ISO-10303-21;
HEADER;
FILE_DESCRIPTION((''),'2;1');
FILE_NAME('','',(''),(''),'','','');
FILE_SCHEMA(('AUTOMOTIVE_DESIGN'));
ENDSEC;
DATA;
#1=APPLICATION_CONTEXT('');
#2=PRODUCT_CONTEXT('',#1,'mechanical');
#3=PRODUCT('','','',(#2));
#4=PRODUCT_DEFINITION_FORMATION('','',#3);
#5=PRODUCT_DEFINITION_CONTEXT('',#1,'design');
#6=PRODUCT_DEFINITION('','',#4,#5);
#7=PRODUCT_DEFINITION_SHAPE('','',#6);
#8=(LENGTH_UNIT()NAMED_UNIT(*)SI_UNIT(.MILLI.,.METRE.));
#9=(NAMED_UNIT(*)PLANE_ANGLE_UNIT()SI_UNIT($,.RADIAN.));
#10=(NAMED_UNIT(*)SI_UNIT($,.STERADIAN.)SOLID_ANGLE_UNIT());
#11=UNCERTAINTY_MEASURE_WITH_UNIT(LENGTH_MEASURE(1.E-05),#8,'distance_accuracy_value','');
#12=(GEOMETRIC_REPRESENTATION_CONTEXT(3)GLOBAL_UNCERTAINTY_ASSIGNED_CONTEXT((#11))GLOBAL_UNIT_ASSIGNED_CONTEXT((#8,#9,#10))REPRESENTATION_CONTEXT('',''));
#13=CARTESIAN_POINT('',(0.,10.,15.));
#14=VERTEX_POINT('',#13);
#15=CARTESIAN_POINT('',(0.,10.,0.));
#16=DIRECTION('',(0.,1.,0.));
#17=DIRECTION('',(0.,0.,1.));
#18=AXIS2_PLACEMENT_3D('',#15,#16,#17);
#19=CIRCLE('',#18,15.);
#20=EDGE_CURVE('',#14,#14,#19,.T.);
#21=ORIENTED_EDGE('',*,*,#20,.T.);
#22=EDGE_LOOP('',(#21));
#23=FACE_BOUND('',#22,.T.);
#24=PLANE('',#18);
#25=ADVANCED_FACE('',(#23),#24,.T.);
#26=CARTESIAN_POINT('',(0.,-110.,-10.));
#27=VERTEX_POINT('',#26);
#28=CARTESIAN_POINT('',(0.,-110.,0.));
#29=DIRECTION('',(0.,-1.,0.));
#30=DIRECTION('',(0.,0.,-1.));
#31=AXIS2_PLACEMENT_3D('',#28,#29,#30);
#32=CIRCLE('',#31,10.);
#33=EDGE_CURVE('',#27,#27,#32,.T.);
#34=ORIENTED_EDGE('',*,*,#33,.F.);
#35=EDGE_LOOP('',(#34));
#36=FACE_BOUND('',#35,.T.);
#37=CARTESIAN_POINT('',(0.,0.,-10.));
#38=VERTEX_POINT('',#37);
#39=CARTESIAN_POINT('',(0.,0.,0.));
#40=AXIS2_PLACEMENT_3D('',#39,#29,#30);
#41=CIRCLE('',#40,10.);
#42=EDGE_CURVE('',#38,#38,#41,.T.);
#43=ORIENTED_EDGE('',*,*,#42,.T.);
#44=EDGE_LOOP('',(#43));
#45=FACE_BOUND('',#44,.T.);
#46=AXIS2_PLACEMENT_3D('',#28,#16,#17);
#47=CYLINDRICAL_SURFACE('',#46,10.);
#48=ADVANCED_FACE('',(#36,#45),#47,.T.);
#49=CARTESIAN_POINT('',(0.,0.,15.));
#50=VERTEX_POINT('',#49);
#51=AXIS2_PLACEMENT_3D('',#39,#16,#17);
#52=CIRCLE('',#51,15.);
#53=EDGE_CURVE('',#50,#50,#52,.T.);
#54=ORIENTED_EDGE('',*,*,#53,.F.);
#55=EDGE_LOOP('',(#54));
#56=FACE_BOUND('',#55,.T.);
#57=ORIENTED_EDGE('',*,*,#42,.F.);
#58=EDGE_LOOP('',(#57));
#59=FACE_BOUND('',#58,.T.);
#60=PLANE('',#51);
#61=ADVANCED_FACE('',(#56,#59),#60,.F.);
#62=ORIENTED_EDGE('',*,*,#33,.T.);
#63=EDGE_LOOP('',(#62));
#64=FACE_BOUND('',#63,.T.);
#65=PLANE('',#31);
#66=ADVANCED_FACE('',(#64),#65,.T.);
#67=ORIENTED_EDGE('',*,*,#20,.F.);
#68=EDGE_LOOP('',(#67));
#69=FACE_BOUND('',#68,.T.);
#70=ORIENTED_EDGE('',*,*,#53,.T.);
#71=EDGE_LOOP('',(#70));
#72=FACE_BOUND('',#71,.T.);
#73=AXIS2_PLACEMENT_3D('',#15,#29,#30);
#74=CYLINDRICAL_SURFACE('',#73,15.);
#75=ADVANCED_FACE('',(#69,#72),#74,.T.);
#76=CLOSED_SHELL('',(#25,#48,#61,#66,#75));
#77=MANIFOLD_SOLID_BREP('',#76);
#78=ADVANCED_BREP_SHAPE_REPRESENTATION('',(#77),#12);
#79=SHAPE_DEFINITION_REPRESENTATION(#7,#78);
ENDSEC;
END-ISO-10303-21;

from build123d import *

# Parameters (mm, degrees)
SKETCH1_R           = 15
BOSS_EXTRUDE1_DEPTH = 10
SKETCH2_R           = 10
BOSS_EXTRUDE2_DEPTH = 110


with BuildPart() as part:
    # Sketch1 → Boss-Extrude1 (new body)
    with BuildSketch(Plane(origin=(0, 0, 0), x_dir=(1, 0, 0), z_dir=(0, 1, 0))):
        Circle(SKETCH1_R)
    extrude(amount=BOSS_EXTRUDE1_DEPTH)

    # Sketch2 → Boss-Extrude2 (add)
    with BuildSketch(Plane.XZ):
        Circle(SKETCH2_R)
    extrude(amount=BOSS_EXTRUDE2_DEPTH)


solid = part.part
